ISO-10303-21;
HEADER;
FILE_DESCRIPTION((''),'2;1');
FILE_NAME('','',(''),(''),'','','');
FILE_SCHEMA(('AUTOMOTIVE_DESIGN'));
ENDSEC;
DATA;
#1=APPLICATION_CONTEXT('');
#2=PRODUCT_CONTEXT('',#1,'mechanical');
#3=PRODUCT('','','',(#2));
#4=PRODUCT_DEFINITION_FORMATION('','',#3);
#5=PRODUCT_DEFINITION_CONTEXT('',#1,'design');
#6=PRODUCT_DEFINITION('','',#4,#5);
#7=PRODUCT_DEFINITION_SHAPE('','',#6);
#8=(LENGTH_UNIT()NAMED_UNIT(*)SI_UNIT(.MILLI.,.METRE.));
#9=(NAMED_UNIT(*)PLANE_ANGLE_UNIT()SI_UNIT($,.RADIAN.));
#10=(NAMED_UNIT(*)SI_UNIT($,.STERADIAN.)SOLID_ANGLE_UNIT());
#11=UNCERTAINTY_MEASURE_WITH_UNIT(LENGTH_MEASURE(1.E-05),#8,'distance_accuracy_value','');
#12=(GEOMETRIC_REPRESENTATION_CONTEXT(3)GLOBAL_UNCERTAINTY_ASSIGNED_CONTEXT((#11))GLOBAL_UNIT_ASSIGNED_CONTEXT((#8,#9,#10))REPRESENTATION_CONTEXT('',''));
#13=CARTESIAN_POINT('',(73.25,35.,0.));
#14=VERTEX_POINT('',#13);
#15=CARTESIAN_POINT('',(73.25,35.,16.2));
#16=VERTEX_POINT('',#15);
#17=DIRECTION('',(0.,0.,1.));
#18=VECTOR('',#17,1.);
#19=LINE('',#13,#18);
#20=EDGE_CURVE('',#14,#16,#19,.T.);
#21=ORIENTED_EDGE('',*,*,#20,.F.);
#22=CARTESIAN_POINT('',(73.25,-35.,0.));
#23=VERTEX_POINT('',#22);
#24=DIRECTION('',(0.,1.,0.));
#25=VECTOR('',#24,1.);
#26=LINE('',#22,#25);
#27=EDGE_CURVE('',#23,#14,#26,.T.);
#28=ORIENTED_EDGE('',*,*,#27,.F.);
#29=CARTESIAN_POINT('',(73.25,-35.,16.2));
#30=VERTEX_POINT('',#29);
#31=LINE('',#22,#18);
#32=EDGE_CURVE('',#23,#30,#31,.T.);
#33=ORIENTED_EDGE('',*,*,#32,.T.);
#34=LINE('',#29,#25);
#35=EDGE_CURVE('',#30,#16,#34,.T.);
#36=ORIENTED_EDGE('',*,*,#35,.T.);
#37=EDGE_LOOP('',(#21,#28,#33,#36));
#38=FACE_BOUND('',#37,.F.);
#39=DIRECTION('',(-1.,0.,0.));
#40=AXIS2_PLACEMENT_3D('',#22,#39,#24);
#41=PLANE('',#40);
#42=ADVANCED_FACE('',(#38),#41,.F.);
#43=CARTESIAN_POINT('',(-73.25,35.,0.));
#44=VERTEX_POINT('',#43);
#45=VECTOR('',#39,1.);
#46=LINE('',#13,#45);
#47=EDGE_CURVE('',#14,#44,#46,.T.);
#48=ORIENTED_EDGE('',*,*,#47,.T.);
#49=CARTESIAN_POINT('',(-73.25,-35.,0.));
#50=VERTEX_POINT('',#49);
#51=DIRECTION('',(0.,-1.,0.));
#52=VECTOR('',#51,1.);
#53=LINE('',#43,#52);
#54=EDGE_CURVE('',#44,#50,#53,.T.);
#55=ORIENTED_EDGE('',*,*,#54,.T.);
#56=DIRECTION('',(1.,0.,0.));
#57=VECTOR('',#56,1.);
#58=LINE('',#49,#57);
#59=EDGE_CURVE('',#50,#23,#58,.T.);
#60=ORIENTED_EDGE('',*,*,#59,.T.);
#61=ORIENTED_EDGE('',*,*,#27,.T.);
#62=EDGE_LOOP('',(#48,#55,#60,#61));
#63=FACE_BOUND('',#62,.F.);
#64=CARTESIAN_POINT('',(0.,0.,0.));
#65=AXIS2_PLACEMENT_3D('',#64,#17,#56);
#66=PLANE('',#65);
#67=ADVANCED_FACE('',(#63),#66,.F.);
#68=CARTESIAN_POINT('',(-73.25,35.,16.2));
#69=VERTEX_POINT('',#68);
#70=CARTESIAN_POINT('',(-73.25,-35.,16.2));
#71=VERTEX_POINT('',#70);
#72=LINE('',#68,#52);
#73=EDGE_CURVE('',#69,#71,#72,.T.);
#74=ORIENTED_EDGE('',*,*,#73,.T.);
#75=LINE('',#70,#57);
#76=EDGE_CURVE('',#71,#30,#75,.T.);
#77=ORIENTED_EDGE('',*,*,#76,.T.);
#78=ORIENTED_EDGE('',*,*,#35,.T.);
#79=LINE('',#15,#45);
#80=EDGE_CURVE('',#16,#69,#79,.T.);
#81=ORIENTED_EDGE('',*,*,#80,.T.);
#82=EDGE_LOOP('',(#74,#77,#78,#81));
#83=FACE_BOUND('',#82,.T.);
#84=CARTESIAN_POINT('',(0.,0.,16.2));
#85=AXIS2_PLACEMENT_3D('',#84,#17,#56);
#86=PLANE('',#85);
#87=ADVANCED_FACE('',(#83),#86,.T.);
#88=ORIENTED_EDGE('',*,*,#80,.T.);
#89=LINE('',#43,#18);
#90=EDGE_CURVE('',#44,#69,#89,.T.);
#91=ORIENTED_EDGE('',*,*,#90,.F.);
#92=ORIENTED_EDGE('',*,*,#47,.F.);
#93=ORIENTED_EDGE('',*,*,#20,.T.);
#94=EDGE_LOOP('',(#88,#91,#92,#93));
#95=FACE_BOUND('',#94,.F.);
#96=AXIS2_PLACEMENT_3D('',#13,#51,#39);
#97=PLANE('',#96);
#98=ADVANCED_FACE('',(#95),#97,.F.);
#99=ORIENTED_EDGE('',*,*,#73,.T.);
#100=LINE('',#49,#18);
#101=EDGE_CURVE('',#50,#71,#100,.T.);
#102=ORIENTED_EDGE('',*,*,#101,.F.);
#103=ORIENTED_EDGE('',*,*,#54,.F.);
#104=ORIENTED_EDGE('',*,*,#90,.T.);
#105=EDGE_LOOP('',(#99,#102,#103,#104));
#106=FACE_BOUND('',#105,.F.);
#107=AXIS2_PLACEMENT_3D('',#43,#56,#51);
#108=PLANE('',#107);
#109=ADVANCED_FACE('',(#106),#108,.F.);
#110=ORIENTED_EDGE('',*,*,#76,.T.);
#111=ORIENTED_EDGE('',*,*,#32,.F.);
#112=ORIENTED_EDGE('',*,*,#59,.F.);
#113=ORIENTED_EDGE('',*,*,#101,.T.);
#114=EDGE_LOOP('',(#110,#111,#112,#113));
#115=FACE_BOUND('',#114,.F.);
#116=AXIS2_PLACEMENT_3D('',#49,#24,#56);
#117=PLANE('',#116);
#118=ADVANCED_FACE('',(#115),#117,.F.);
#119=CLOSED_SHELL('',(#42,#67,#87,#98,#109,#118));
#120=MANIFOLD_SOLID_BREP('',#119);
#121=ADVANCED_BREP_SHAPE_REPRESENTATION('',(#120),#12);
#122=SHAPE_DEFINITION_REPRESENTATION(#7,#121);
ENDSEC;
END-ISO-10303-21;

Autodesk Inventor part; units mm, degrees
ref_plane "YZ Plane" through (0, 0, 0) normal (1, 0, 0) x (0, 1, 0)
ref_plane "XZ Plane" through (0, 0, 0) normal (0, 1, 0) x (-1, 0, 0)
ref_plane "XY Plane" through (0, 0, 0) normal (0, 0, 1) x (1, 0, 0)
sketch "Sketch1" plane through (0, 0, 0) normal (0, 0, 1) x (1, 0, 0)
  line L0 (-73.25, -35) -> (73.25, -35)
  line L1 (73.25, -35) -> (73.25, 35)
  line L2 (73.25, 35) -> (-73.25, 35)
  line L3 (-73.25, 35) -> (-73.25, -35)
  line L4 (-73.25, -35) -> (73.25, 35) construction
  line L5 (73.25, -35) -> (-73.25, 35) construction
  point P0 (0, 0)
  dimension "d0" = 146.5
  dimension "d1" = 70
extrude "Extrusion1" add sketch "Sketch1" along normal blind 16.2
properties part number "Battery"
